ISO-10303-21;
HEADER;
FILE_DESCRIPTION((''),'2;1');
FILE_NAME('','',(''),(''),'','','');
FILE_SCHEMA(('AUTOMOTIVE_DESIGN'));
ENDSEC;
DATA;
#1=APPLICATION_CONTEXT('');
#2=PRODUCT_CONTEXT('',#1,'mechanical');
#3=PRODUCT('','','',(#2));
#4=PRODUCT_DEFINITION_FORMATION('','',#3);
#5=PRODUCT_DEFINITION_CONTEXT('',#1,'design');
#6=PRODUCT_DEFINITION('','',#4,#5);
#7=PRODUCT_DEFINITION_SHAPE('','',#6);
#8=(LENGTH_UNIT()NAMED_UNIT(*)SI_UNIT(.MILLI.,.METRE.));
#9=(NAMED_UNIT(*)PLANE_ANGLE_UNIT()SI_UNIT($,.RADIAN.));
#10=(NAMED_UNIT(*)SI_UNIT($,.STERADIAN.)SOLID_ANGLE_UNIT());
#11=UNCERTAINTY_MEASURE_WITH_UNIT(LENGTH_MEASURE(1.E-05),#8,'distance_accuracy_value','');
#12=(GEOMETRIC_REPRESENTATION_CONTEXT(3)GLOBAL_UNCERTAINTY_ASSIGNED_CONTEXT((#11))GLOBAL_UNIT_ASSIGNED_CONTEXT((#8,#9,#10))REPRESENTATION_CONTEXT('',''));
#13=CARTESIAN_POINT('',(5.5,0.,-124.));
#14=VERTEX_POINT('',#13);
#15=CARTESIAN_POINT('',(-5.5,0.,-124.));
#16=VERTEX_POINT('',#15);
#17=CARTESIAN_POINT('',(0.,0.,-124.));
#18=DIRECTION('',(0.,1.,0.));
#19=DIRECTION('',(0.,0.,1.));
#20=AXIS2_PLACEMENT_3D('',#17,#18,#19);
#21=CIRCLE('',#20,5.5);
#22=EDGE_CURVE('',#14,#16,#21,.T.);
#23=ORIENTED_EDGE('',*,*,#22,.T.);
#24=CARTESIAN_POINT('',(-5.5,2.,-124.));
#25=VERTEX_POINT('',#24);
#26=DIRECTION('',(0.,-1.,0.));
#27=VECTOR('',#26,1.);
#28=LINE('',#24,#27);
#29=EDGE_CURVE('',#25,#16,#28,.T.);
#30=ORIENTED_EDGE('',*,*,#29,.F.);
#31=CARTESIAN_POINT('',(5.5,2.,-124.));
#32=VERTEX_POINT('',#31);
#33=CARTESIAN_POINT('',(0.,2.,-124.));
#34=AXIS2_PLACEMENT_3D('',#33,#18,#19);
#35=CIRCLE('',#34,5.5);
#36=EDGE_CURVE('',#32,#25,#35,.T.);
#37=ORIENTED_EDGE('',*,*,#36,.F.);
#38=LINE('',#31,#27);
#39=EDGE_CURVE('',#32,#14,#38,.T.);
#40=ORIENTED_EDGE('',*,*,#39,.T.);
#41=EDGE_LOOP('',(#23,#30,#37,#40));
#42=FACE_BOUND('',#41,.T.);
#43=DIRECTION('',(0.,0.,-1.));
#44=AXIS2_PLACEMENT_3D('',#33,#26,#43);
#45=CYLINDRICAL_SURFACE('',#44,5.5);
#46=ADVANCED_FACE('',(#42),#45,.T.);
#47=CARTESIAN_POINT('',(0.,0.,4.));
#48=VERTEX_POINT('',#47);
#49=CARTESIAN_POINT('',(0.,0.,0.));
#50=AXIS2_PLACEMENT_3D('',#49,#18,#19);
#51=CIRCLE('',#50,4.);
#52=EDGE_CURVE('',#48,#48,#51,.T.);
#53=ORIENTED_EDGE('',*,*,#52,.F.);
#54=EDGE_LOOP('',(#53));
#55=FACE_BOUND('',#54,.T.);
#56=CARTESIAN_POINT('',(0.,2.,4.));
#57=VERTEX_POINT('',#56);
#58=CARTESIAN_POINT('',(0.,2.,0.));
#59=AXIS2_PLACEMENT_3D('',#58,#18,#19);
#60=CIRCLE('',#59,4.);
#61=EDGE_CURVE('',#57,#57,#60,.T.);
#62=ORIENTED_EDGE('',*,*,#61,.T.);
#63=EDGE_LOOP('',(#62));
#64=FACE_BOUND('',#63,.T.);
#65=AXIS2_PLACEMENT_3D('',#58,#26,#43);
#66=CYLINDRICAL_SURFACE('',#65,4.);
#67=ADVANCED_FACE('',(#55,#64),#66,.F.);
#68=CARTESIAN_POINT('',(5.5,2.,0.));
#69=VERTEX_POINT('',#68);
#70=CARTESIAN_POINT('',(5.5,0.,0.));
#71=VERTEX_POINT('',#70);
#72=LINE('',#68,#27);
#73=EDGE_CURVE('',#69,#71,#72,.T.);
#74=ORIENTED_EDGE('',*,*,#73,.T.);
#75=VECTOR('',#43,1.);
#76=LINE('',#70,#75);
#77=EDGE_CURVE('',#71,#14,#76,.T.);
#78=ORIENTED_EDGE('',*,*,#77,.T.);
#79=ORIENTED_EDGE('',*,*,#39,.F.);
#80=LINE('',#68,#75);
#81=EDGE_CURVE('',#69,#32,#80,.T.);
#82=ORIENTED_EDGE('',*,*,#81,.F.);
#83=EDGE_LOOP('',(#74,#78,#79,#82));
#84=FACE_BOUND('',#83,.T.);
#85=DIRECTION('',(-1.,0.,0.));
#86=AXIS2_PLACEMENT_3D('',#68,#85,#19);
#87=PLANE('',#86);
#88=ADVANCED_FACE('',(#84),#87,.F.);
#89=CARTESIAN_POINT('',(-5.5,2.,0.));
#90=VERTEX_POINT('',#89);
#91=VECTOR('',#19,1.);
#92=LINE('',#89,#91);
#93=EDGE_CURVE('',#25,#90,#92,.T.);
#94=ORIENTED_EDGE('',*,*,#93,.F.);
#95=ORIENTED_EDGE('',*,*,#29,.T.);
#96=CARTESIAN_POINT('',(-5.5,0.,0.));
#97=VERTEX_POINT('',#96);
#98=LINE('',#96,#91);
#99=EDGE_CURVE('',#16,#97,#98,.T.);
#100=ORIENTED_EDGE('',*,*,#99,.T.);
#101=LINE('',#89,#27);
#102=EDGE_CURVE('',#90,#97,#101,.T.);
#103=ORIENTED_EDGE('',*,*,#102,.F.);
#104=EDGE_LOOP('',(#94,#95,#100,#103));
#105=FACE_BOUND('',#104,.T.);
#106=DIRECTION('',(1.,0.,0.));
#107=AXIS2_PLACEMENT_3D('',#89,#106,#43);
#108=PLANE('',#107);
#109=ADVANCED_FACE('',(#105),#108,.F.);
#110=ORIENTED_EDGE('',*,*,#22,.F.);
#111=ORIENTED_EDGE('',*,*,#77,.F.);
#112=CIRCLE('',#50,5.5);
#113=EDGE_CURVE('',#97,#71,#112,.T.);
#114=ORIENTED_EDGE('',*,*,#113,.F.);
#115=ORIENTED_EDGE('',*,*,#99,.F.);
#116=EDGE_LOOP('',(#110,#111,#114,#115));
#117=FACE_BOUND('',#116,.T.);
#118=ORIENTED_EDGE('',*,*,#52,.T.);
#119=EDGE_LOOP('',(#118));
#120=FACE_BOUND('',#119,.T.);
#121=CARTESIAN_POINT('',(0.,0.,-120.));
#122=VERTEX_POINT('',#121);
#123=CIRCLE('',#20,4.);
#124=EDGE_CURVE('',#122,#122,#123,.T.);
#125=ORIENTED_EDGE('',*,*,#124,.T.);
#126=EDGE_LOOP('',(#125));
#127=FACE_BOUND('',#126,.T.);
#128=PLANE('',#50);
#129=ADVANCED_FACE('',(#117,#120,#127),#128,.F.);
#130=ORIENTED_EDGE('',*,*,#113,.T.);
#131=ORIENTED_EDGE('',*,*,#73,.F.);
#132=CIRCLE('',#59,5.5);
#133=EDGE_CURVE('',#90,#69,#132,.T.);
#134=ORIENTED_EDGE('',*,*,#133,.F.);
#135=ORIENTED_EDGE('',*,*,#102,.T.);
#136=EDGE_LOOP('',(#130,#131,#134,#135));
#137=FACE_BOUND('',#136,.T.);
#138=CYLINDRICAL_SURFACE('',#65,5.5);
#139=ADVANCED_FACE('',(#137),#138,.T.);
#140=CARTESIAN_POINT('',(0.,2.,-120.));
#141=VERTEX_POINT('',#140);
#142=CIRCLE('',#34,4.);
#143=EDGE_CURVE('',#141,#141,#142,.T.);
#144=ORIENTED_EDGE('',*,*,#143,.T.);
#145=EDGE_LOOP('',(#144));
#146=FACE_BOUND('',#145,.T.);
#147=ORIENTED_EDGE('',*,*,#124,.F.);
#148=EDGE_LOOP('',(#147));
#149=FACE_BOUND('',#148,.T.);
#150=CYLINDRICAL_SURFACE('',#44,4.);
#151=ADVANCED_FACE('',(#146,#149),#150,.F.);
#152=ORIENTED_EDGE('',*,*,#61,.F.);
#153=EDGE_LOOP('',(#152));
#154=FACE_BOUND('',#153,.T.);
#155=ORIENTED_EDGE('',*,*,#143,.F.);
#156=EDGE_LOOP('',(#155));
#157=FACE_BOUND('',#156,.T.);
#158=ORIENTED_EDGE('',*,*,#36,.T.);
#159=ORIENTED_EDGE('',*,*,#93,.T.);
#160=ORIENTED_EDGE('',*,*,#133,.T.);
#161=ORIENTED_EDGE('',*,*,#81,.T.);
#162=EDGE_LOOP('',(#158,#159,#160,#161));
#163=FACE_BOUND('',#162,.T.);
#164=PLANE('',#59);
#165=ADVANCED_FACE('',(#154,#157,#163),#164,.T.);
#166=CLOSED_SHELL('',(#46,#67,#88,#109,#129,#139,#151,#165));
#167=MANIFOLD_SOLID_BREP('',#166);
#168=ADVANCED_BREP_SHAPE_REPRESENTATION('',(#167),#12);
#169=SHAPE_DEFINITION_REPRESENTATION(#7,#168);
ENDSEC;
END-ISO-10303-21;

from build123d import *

# Parameters (mm, degrees)
SKETCH1_R           = 4
BOSS_EXTRUDE1_DEPTH = 2


with BuildPart() as part:
    # Sketch1 → Boss-Extrude1 (new body)
    with BuildSketch(Plane(origin=(0, 0, 0), x_dir=(1, 0, 0), z_dir=(0, 1, 0))):
        with BuildLine():
            Line((-5.5, 0), (-5.5, 124))
            ThreePointArc((-5.5, 124), (0, 129.5), (5.5, 124))
            Line((5.5, 124), (5.5, 0))
            ThreePointArc((5.5, 0), (0, -5.5), (-5.5, 0))
        make_face()
        with Locations(Location((0, 124, 0), (0, 0, 270))):
            Circle(SKETCH1_R, mode=Mode.SUBTRACT)
        with Locations(Location((0, 0, 0), (0, 0, 270))):
            Circle(SKETCH1_R, mode=Mode.SUBTRACT)
    extrude(amount=BOSS_EXTRUDE1_DEPTH)


solid = part.part
